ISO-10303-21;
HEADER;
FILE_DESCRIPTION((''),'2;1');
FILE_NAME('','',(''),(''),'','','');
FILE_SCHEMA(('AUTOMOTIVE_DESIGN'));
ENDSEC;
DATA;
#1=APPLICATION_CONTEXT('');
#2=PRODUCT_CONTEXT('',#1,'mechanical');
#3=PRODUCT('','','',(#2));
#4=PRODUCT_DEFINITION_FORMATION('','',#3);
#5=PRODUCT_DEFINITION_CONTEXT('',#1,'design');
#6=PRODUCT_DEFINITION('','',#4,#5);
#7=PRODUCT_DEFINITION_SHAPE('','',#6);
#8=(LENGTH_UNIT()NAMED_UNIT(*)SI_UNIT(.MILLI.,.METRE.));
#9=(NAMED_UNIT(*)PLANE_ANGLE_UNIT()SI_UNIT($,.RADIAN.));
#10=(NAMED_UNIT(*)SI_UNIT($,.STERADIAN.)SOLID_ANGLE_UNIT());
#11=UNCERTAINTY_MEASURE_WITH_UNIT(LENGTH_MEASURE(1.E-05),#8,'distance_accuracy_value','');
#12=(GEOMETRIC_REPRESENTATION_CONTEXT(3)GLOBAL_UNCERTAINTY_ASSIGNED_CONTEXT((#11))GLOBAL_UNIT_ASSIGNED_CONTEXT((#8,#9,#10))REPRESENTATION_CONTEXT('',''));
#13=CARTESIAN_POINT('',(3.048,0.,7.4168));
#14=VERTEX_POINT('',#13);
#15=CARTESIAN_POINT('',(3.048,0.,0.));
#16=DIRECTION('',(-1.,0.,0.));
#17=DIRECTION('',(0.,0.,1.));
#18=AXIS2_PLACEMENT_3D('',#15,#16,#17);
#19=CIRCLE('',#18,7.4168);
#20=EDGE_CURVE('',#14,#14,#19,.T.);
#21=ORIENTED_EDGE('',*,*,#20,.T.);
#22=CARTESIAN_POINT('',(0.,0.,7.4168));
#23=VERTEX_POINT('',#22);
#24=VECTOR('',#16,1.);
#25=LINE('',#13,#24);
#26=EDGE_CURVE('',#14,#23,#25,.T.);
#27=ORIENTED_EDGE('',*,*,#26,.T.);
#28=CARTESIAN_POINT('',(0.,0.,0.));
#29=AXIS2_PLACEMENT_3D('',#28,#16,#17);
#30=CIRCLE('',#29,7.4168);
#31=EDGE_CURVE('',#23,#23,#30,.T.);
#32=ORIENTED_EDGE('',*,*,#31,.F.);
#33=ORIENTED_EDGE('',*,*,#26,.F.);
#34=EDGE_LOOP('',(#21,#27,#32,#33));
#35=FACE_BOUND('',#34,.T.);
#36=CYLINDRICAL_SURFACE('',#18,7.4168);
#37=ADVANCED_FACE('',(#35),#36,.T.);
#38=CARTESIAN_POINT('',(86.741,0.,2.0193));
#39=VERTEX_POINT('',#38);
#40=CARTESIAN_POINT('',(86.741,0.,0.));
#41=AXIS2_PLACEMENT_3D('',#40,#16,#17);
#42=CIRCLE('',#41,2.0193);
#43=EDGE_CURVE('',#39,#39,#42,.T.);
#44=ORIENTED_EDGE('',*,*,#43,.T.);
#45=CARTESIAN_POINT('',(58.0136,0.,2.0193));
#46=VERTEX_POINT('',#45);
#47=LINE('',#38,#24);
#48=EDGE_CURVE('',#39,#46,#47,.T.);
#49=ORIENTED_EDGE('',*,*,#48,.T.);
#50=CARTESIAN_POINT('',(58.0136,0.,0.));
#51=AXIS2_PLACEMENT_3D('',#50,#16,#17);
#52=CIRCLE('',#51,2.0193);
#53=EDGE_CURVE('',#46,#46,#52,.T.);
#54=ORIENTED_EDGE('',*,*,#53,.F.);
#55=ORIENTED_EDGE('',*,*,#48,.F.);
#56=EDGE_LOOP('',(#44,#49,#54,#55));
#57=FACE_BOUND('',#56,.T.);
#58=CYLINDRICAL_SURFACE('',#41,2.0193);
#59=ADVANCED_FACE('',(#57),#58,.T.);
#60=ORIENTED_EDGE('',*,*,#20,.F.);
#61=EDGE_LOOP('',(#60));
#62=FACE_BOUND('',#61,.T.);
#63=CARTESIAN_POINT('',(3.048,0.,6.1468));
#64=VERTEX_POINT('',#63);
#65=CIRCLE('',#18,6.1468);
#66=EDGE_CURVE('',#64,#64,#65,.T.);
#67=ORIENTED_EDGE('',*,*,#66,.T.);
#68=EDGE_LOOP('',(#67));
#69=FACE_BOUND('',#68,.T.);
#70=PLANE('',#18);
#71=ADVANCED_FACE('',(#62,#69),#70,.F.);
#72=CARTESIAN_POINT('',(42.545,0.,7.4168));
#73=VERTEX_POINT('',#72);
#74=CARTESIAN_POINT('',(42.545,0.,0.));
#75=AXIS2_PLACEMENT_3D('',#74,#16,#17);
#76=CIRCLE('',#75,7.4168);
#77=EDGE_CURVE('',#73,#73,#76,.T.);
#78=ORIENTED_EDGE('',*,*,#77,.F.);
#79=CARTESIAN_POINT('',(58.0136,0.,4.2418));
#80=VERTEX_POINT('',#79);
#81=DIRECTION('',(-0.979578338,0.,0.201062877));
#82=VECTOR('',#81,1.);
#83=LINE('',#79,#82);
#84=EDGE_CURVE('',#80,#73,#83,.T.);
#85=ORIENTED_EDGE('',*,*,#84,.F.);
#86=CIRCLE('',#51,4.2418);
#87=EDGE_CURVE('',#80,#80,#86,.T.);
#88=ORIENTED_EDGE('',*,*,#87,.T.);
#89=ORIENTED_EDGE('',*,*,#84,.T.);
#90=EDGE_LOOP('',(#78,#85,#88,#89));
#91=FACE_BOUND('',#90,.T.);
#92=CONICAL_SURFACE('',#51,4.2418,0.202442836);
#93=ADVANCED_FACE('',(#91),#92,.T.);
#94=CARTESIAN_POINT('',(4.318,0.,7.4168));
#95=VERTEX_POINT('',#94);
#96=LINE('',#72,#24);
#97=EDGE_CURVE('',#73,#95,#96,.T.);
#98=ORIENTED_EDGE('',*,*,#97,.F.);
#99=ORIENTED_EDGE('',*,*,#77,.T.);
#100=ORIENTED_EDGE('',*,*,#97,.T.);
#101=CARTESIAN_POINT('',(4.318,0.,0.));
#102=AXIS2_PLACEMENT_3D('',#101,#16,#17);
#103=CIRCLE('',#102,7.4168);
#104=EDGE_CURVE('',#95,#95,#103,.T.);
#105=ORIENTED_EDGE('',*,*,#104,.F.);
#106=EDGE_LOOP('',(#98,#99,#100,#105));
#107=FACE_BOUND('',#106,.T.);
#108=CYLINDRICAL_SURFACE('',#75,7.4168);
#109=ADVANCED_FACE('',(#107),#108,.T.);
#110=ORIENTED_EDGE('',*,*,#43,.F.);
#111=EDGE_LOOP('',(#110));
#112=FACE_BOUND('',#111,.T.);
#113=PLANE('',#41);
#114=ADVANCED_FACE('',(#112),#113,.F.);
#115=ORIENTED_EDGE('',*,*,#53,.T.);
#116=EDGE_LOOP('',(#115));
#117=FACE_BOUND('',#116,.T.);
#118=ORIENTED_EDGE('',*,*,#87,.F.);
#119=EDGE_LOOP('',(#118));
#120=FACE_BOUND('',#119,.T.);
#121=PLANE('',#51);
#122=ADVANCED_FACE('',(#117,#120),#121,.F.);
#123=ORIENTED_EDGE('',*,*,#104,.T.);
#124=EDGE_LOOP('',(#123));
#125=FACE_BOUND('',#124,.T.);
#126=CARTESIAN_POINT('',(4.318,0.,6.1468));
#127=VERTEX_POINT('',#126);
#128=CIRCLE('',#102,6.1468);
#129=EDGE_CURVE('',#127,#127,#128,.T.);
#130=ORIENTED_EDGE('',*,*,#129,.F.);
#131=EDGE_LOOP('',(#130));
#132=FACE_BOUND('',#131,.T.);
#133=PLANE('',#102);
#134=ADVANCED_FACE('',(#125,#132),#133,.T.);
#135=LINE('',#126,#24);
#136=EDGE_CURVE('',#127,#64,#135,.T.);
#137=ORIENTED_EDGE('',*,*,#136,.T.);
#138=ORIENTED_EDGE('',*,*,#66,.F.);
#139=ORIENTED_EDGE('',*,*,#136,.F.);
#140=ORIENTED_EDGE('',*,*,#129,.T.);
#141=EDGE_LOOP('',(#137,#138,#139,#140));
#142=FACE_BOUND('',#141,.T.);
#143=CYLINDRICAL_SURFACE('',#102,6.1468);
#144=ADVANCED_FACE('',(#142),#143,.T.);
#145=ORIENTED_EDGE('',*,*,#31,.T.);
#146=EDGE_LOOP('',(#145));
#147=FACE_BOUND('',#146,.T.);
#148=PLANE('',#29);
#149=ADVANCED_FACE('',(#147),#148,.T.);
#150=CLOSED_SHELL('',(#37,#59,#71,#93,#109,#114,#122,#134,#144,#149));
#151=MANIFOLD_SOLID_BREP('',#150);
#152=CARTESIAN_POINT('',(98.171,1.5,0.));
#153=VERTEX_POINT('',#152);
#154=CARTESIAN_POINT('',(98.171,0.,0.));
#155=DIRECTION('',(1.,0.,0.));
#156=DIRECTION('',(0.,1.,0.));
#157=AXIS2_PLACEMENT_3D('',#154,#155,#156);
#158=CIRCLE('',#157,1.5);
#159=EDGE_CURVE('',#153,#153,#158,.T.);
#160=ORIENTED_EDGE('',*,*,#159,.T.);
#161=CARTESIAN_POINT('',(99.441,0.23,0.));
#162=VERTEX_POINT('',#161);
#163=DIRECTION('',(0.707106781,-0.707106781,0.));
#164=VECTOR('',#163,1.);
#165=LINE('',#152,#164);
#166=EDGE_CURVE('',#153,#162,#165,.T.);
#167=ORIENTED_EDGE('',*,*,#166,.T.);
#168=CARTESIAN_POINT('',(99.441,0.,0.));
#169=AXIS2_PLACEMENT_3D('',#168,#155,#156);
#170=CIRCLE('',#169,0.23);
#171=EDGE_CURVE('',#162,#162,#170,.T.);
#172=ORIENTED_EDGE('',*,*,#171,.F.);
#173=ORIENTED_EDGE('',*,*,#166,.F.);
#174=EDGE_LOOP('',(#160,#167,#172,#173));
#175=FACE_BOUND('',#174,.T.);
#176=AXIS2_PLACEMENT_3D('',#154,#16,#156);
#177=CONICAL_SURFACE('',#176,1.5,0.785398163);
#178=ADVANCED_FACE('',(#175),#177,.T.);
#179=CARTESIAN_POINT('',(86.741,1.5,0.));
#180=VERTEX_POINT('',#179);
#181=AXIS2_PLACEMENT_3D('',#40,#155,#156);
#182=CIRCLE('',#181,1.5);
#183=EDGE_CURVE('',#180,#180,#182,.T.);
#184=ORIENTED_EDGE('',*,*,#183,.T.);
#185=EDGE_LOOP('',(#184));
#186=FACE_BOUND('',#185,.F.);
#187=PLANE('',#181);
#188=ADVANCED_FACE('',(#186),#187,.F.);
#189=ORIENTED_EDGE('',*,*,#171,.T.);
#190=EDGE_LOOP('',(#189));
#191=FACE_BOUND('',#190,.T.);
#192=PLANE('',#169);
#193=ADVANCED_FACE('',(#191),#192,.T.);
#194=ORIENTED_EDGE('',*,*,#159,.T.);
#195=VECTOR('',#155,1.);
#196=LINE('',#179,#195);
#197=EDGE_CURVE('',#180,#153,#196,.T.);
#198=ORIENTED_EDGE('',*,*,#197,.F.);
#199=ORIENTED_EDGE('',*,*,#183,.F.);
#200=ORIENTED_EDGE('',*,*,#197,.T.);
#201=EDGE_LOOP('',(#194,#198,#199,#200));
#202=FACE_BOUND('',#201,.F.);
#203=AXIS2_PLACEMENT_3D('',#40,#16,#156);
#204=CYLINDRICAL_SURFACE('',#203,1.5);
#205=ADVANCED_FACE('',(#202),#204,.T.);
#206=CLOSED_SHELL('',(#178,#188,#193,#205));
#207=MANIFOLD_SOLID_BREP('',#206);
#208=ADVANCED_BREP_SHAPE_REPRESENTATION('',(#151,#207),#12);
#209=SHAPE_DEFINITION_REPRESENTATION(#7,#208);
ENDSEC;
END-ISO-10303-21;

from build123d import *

# Parameters (mm, degrees)
F2_R     = 1.5
F3_DEPTH = 12.7
F4_SIZE  = 1.27


with BuildPart() as f1:
    # F0 (on Front) → F1 (revolve)
    with BuildSketch(Plane.XZ):
        Polygon((0, 7.4168), (0, 0), (86.741, 0), (86.741, 2.0193), (58.0136, 2.0193), (58.0136, 4.2418), (42.545, 7.4168), (4.318, 7.4168), (4.318, 6.1468), (3.048, 6.1468), (3.048, 7.4168), align=None)
    revolve(axis=Axis((43.3705, 0, 0), (-1, 0, 0)))


with BuildPart() as f3:
    # F2 (on face) → F3 (new body)
    with BuildSketch(Plane.YZ.offset(86.741)):
        Circle(F2_R)
    extrude(amount=F3_DEPTH)

    # F4
    f4_edges = [f3.edges().sort_by_distance(p)[0] for p in [
        (99.441, -1.5, 0),
    ]]
    chamfer(f4_edges, length=F4_SIZE)


solid = Compound([f1.part, f3.part])
